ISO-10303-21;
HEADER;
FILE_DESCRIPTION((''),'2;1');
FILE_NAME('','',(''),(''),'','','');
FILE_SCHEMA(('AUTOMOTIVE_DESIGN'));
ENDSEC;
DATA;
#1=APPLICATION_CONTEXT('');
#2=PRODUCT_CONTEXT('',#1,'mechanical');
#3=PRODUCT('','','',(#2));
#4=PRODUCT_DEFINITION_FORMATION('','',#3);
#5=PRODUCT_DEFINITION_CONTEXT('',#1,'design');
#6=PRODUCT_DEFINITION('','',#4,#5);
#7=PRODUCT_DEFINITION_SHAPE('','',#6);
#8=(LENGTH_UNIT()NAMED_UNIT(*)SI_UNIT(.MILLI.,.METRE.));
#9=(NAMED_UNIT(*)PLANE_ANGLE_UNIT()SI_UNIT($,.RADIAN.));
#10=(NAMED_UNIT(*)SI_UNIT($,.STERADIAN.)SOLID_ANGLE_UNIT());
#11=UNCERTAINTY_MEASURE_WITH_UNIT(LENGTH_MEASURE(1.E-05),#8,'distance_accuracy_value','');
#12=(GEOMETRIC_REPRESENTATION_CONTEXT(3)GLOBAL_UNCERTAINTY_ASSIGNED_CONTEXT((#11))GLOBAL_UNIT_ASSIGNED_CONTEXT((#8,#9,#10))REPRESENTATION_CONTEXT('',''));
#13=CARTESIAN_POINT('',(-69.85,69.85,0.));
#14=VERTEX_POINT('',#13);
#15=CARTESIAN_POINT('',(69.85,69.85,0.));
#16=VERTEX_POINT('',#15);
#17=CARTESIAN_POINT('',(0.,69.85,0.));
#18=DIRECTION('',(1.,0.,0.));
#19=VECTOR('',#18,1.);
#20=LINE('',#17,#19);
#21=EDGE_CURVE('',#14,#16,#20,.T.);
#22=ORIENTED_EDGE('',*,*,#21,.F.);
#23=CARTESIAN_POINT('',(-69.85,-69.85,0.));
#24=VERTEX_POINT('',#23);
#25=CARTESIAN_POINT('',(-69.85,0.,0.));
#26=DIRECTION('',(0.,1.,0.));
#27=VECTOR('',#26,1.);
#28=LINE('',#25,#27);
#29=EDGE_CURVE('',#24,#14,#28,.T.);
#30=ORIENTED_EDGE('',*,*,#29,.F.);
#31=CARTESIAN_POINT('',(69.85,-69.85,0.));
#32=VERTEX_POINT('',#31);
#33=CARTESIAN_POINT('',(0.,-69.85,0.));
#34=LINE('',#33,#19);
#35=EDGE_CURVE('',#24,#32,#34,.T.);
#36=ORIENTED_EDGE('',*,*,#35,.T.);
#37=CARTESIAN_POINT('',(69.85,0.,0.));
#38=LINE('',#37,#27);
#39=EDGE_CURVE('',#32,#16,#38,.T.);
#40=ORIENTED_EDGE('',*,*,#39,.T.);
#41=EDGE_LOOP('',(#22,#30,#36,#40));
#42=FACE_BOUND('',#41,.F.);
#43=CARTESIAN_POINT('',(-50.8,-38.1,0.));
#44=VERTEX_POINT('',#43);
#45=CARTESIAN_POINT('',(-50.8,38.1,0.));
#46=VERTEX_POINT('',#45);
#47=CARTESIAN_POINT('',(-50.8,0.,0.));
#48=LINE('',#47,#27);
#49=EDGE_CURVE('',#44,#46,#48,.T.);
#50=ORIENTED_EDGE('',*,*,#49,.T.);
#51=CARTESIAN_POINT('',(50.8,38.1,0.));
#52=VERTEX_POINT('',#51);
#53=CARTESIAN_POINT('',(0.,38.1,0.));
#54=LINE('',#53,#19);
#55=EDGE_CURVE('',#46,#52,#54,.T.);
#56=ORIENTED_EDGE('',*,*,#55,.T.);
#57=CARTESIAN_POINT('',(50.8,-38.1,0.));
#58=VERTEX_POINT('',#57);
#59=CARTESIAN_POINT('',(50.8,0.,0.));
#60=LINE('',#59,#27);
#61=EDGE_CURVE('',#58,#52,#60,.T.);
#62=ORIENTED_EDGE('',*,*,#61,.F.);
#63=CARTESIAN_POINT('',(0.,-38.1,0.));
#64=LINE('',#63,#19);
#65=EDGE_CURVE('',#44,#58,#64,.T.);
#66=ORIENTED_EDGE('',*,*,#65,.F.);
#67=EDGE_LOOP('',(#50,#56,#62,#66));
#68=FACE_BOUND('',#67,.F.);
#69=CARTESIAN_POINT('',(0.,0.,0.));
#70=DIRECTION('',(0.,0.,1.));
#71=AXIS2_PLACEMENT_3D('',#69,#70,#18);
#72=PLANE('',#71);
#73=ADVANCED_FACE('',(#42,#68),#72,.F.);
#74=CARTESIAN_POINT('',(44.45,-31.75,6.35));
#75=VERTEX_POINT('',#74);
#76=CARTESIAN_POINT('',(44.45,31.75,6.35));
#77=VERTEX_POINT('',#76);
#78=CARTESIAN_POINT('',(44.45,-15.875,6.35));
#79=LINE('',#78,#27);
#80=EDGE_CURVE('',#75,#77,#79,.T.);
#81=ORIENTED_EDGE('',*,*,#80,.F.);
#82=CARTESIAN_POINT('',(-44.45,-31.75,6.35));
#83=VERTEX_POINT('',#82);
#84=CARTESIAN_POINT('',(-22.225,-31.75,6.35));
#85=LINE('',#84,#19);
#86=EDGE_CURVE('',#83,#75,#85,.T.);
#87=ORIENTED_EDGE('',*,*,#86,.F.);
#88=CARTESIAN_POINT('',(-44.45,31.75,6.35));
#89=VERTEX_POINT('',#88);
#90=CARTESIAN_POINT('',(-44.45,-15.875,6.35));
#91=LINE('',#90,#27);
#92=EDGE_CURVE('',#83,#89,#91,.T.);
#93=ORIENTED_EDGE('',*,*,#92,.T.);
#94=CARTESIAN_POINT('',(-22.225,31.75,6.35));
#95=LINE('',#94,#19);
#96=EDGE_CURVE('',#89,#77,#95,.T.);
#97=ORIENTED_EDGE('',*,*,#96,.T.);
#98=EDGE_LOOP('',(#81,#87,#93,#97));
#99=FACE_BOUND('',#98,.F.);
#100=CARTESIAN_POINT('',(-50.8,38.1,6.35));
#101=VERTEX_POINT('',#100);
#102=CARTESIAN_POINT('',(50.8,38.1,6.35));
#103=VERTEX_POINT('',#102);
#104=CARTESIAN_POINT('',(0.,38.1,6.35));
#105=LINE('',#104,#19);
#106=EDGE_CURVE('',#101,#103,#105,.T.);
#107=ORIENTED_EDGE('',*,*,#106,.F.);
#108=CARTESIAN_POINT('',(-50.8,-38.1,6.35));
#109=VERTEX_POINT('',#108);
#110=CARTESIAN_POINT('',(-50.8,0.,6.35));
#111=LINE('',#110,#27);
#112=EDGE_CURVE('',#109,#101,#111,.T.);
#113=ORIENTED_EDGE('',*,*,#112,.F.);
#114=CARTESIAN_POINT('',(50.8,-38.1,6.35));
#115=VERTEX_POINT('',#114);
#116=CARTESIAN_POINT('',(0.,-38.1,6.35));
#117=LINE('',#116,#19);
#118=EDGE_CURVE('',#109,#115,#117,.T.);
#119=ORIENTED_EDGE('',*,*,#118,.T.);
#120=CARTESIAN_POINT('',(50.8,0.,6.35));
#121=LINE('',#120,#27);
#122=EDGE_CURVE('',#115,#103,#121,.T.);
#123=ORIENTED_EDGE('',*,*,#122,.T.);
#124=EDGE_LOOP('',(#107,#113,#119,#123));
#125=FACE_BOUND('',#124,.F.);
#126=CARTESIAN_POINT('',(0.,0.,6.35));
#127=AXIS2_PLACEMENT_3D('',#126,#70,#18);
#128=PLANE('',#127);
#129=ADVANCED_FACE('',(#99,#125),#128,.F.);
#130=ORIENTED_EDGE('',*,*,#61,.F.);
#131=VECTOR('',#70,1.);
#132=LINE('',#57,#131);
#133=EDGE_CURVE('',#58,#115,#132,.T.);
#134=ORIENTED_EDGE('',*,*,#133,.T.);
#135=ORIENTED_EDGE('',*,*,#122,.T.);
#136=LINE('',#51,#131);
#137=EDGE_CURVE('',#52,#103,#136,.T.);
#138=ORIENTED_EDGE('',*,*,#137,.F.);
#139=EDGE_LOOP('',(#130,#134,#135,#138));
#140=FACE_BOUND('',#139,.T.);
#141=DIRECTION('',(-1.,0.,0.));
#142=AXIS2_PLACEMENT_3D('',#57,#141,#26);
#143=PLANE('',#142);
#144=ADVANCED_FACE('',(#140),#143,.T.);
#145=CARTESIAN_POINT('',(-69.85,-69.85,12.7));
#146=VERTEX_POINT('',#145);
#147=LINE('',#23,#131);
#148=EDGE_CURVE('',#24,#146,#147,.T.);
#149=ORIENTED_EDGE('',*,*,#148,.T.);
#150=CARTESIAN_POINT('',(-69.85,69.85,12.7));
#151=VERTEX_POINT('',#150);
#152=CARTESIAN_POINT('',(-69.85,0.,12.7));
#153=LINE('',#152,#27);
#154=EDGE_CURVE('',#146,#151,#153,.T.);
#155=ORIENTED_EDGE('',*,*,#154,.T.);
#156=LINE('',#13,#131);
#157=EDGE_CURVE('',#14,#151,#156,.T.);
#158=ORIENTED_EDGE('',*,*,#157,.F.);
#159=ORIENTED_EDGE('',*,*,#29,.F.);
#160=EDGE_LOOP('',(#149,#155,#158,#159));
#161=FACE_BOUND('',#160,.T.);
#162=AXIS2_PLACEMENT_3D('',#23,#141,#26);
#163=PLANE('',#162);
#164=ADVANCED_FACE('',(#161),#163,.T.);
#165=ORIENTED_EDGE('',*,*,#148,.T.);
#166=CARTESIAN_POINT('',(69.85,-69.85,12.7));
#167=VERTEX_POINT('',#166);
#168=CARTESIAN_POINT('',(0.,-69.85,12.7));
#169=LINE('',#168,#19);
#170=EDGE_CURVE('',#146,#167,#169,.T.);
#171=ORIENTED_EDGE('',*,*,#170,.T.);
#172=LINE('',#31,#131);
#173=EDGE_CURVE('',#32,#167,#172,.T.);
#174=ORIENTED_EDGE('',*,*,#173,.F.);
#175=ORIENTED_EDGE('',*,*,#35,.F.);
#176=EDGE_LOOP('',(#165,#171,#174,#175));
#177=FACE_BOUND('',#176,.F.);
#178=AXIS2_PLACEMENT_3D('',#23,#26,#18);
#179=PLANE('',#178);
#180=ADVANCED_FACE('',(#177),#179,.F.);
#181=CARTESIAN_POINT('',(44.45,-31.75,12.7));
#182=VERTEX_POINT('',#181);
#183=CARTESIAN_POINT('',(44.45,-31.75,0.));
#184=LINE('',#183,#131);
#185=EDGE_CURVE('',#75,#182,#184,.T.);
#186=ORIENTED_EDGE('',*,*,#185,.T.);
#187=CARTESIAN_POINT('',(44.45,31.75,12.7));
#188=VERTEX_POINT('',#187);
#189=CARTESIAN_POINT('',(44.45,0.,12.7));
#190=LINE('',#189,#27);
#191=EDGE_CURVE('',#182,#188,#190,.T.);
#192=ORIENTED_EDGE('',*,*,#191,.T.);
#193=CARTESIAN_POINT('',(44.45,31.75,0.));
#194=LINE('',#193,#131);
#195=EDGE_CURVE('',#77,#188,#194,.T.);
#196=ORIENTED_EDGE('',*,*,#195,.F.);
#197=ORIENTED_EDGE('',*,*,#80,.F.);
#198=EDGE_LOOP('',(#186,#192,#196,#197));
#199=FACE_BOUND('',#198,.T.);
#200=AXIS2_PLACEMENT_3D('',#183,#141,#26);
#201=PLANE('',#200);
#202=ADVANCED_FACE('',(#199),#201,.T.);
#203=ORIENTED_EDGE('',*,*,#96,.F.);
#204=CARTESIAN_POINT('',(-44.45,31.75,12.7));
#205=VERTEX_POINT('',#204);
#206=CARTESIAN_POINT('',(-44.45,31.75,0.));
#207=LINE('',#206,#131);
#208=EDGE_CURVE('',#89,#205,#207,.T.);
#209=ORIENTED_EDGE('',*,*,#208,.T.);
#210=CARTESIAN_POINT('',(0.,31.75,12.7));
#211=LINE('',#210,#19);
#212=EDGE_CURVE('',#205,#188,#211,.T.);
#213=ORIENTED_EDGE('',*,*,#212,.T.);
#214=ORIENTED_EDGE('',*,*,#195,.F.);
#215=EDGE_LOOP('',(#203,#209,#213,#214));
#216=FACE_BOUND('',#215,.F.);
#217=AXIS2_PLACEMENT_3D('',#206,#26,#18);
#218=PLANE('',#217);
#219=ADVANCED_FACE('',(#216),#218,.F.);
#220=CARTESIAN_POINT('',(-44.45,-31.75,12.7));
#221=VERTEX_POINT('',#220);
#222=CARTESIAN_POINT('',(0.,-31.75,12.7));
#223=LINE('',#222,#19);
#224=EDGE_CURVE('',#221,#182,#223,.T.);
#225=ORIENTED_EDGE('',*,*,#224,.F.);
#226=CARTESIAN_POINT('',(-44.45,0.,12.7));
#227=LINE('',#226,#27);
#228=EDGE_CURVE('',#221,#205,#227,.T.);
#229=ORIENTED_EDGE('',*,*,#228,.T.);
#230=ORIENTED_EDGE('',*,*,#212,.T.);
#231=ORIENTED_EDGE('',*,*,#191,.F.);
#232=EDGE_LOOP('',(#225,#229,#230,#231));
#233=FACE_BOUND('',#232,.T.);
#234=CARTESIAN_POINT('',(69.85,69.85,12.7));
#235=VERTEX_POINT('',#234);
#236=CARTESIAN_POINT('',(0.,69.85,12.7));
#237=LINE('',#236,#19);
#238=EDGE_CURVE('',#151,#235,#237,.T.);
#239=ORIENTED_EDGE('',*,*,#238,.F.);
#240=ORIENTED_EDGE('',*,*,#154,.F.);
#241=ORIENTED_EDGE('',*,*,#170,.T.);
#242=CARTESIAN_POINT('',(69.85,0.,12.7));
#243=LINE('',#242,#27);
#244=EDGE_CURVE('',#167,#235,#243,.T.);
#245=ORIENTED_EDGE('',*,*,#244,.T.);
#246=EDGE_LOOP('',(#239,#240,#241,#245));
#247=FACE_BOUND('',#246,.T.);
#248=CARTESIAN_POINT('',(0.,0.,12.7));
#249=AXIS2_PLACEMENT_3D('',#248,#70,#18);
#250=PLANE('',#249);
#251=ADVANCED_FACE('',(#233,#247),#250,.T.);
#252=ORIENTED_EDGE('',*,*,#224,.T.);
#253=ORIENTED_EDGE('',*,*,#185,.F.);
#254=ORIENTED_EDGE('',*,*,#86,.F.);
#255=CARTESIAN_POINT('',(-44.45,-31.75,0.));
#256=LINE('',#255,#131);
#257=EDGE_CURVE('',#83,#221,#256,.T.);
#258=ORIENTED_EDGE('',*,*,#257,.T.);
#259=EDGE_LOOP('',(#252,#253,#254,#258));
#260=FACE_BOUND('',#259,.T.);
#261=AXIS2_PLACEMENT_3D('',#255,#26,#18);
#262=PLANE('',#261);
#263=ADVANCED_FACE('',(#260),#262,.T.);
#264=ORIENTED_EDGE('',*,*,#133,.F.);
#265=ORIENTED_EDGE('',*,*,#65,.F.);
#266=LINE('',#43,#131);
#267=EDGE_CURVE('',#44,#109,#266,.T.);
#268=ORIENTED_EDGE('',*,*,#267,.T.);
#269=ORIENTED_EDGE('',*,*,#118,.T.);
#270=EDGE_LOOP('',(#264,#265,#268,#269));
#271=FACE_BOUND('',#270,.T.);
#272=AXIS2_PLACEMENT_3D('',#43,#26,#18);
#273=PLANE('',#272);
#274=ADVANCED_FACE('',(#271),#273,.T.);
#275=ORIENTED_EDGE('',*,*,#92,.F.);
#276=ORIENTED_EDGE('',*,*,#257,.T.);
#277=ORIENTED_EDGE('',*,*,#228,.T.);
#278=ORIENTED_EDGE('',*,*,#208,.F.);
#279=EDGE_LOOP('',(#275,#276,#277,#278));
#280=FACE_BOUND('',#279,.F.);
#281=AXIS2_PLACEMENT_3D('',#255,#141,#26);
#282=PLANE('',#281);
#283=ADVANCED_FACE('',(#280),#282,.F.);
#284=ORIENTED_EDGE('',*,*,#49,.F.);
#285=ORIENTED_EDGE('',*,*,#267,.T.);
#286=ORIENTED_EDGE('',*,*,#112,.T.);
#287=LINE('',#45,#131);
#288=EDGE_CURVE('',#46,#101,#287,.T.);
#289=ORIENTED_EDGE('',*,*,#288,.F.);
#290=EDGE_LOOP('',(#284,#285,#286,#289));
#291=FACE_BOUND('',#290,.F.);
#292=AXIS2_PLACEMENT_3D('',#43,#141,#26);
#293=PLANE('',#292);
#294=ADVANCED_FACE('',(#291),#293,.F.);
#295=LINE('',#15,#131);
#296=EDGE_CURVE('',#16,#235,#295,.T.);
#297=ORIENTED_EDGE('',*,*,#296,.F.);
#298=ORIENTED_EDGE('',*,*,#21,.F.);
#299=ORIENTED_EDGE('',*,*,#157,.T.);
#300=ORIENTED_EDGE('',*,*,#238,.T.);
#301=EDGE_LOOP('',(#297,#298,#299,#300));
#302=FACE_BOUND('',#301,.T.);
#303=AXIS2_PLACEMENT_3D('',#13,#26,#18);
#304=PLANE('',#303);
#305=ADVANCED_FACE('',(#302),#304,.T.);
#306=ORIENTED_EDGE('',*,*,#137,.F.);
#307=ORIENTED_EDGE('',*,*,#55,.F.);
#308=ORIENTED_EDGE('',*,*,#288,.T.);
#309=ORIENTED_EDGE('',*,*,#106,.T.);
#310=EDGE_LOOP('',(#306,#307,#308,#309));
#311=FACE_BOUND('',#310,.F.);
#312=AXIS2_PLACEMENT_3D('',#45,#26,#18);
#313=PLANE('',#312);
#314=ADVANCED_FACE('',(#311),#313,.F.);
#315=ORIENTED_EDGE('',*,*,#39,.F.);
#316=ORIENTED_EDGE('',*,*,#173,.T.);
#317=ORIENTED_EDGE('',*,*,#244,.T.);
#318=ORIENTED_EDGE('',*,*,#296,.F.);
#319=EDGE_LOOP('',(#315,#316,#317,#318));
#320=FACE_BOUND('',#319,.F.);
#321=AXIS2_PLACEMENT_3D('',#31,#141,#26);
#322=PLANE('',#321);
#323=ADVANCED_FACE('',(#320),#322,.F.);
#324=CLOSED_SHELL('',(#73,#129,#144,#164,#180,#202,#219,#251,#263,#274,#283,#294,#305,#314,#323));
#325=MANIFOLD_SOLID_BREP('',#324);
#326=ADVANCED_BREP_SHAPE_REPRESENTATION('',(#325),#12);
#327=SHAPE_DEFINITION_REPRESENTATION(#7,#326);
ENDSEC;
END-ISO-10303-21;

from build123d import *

# Parameters (mm, degrees)
F2_W     = 139.7
F2_H     = 139.7
F2_W_2   = 88.9
F2_H_2   = 63.5
F3_DEPTH = 12.7
F0_W     = 101.6
F0_H     = 76.2
F4_DEPTH = 6.35


with BuildPart() as f3:
    # F2 (on face) → F3 (new body)
    with BuildSketch(Plane.XY):
        Rectangle(F2_W, F2_H)
        Rectangle(F2_W_2, F2_H_2, mode=Mode.SUBTRACT)
    extrude(amount=F3_DEPTH)

    # F0 (on Top) → F4 (cut)
    with BuildSketch(Plane.XY):
        Rectangle(F0_W, F0_H)
    extrude(amount=F4_DEPTH, mode=Mode.SUBTRACT)


solid = f3.part
